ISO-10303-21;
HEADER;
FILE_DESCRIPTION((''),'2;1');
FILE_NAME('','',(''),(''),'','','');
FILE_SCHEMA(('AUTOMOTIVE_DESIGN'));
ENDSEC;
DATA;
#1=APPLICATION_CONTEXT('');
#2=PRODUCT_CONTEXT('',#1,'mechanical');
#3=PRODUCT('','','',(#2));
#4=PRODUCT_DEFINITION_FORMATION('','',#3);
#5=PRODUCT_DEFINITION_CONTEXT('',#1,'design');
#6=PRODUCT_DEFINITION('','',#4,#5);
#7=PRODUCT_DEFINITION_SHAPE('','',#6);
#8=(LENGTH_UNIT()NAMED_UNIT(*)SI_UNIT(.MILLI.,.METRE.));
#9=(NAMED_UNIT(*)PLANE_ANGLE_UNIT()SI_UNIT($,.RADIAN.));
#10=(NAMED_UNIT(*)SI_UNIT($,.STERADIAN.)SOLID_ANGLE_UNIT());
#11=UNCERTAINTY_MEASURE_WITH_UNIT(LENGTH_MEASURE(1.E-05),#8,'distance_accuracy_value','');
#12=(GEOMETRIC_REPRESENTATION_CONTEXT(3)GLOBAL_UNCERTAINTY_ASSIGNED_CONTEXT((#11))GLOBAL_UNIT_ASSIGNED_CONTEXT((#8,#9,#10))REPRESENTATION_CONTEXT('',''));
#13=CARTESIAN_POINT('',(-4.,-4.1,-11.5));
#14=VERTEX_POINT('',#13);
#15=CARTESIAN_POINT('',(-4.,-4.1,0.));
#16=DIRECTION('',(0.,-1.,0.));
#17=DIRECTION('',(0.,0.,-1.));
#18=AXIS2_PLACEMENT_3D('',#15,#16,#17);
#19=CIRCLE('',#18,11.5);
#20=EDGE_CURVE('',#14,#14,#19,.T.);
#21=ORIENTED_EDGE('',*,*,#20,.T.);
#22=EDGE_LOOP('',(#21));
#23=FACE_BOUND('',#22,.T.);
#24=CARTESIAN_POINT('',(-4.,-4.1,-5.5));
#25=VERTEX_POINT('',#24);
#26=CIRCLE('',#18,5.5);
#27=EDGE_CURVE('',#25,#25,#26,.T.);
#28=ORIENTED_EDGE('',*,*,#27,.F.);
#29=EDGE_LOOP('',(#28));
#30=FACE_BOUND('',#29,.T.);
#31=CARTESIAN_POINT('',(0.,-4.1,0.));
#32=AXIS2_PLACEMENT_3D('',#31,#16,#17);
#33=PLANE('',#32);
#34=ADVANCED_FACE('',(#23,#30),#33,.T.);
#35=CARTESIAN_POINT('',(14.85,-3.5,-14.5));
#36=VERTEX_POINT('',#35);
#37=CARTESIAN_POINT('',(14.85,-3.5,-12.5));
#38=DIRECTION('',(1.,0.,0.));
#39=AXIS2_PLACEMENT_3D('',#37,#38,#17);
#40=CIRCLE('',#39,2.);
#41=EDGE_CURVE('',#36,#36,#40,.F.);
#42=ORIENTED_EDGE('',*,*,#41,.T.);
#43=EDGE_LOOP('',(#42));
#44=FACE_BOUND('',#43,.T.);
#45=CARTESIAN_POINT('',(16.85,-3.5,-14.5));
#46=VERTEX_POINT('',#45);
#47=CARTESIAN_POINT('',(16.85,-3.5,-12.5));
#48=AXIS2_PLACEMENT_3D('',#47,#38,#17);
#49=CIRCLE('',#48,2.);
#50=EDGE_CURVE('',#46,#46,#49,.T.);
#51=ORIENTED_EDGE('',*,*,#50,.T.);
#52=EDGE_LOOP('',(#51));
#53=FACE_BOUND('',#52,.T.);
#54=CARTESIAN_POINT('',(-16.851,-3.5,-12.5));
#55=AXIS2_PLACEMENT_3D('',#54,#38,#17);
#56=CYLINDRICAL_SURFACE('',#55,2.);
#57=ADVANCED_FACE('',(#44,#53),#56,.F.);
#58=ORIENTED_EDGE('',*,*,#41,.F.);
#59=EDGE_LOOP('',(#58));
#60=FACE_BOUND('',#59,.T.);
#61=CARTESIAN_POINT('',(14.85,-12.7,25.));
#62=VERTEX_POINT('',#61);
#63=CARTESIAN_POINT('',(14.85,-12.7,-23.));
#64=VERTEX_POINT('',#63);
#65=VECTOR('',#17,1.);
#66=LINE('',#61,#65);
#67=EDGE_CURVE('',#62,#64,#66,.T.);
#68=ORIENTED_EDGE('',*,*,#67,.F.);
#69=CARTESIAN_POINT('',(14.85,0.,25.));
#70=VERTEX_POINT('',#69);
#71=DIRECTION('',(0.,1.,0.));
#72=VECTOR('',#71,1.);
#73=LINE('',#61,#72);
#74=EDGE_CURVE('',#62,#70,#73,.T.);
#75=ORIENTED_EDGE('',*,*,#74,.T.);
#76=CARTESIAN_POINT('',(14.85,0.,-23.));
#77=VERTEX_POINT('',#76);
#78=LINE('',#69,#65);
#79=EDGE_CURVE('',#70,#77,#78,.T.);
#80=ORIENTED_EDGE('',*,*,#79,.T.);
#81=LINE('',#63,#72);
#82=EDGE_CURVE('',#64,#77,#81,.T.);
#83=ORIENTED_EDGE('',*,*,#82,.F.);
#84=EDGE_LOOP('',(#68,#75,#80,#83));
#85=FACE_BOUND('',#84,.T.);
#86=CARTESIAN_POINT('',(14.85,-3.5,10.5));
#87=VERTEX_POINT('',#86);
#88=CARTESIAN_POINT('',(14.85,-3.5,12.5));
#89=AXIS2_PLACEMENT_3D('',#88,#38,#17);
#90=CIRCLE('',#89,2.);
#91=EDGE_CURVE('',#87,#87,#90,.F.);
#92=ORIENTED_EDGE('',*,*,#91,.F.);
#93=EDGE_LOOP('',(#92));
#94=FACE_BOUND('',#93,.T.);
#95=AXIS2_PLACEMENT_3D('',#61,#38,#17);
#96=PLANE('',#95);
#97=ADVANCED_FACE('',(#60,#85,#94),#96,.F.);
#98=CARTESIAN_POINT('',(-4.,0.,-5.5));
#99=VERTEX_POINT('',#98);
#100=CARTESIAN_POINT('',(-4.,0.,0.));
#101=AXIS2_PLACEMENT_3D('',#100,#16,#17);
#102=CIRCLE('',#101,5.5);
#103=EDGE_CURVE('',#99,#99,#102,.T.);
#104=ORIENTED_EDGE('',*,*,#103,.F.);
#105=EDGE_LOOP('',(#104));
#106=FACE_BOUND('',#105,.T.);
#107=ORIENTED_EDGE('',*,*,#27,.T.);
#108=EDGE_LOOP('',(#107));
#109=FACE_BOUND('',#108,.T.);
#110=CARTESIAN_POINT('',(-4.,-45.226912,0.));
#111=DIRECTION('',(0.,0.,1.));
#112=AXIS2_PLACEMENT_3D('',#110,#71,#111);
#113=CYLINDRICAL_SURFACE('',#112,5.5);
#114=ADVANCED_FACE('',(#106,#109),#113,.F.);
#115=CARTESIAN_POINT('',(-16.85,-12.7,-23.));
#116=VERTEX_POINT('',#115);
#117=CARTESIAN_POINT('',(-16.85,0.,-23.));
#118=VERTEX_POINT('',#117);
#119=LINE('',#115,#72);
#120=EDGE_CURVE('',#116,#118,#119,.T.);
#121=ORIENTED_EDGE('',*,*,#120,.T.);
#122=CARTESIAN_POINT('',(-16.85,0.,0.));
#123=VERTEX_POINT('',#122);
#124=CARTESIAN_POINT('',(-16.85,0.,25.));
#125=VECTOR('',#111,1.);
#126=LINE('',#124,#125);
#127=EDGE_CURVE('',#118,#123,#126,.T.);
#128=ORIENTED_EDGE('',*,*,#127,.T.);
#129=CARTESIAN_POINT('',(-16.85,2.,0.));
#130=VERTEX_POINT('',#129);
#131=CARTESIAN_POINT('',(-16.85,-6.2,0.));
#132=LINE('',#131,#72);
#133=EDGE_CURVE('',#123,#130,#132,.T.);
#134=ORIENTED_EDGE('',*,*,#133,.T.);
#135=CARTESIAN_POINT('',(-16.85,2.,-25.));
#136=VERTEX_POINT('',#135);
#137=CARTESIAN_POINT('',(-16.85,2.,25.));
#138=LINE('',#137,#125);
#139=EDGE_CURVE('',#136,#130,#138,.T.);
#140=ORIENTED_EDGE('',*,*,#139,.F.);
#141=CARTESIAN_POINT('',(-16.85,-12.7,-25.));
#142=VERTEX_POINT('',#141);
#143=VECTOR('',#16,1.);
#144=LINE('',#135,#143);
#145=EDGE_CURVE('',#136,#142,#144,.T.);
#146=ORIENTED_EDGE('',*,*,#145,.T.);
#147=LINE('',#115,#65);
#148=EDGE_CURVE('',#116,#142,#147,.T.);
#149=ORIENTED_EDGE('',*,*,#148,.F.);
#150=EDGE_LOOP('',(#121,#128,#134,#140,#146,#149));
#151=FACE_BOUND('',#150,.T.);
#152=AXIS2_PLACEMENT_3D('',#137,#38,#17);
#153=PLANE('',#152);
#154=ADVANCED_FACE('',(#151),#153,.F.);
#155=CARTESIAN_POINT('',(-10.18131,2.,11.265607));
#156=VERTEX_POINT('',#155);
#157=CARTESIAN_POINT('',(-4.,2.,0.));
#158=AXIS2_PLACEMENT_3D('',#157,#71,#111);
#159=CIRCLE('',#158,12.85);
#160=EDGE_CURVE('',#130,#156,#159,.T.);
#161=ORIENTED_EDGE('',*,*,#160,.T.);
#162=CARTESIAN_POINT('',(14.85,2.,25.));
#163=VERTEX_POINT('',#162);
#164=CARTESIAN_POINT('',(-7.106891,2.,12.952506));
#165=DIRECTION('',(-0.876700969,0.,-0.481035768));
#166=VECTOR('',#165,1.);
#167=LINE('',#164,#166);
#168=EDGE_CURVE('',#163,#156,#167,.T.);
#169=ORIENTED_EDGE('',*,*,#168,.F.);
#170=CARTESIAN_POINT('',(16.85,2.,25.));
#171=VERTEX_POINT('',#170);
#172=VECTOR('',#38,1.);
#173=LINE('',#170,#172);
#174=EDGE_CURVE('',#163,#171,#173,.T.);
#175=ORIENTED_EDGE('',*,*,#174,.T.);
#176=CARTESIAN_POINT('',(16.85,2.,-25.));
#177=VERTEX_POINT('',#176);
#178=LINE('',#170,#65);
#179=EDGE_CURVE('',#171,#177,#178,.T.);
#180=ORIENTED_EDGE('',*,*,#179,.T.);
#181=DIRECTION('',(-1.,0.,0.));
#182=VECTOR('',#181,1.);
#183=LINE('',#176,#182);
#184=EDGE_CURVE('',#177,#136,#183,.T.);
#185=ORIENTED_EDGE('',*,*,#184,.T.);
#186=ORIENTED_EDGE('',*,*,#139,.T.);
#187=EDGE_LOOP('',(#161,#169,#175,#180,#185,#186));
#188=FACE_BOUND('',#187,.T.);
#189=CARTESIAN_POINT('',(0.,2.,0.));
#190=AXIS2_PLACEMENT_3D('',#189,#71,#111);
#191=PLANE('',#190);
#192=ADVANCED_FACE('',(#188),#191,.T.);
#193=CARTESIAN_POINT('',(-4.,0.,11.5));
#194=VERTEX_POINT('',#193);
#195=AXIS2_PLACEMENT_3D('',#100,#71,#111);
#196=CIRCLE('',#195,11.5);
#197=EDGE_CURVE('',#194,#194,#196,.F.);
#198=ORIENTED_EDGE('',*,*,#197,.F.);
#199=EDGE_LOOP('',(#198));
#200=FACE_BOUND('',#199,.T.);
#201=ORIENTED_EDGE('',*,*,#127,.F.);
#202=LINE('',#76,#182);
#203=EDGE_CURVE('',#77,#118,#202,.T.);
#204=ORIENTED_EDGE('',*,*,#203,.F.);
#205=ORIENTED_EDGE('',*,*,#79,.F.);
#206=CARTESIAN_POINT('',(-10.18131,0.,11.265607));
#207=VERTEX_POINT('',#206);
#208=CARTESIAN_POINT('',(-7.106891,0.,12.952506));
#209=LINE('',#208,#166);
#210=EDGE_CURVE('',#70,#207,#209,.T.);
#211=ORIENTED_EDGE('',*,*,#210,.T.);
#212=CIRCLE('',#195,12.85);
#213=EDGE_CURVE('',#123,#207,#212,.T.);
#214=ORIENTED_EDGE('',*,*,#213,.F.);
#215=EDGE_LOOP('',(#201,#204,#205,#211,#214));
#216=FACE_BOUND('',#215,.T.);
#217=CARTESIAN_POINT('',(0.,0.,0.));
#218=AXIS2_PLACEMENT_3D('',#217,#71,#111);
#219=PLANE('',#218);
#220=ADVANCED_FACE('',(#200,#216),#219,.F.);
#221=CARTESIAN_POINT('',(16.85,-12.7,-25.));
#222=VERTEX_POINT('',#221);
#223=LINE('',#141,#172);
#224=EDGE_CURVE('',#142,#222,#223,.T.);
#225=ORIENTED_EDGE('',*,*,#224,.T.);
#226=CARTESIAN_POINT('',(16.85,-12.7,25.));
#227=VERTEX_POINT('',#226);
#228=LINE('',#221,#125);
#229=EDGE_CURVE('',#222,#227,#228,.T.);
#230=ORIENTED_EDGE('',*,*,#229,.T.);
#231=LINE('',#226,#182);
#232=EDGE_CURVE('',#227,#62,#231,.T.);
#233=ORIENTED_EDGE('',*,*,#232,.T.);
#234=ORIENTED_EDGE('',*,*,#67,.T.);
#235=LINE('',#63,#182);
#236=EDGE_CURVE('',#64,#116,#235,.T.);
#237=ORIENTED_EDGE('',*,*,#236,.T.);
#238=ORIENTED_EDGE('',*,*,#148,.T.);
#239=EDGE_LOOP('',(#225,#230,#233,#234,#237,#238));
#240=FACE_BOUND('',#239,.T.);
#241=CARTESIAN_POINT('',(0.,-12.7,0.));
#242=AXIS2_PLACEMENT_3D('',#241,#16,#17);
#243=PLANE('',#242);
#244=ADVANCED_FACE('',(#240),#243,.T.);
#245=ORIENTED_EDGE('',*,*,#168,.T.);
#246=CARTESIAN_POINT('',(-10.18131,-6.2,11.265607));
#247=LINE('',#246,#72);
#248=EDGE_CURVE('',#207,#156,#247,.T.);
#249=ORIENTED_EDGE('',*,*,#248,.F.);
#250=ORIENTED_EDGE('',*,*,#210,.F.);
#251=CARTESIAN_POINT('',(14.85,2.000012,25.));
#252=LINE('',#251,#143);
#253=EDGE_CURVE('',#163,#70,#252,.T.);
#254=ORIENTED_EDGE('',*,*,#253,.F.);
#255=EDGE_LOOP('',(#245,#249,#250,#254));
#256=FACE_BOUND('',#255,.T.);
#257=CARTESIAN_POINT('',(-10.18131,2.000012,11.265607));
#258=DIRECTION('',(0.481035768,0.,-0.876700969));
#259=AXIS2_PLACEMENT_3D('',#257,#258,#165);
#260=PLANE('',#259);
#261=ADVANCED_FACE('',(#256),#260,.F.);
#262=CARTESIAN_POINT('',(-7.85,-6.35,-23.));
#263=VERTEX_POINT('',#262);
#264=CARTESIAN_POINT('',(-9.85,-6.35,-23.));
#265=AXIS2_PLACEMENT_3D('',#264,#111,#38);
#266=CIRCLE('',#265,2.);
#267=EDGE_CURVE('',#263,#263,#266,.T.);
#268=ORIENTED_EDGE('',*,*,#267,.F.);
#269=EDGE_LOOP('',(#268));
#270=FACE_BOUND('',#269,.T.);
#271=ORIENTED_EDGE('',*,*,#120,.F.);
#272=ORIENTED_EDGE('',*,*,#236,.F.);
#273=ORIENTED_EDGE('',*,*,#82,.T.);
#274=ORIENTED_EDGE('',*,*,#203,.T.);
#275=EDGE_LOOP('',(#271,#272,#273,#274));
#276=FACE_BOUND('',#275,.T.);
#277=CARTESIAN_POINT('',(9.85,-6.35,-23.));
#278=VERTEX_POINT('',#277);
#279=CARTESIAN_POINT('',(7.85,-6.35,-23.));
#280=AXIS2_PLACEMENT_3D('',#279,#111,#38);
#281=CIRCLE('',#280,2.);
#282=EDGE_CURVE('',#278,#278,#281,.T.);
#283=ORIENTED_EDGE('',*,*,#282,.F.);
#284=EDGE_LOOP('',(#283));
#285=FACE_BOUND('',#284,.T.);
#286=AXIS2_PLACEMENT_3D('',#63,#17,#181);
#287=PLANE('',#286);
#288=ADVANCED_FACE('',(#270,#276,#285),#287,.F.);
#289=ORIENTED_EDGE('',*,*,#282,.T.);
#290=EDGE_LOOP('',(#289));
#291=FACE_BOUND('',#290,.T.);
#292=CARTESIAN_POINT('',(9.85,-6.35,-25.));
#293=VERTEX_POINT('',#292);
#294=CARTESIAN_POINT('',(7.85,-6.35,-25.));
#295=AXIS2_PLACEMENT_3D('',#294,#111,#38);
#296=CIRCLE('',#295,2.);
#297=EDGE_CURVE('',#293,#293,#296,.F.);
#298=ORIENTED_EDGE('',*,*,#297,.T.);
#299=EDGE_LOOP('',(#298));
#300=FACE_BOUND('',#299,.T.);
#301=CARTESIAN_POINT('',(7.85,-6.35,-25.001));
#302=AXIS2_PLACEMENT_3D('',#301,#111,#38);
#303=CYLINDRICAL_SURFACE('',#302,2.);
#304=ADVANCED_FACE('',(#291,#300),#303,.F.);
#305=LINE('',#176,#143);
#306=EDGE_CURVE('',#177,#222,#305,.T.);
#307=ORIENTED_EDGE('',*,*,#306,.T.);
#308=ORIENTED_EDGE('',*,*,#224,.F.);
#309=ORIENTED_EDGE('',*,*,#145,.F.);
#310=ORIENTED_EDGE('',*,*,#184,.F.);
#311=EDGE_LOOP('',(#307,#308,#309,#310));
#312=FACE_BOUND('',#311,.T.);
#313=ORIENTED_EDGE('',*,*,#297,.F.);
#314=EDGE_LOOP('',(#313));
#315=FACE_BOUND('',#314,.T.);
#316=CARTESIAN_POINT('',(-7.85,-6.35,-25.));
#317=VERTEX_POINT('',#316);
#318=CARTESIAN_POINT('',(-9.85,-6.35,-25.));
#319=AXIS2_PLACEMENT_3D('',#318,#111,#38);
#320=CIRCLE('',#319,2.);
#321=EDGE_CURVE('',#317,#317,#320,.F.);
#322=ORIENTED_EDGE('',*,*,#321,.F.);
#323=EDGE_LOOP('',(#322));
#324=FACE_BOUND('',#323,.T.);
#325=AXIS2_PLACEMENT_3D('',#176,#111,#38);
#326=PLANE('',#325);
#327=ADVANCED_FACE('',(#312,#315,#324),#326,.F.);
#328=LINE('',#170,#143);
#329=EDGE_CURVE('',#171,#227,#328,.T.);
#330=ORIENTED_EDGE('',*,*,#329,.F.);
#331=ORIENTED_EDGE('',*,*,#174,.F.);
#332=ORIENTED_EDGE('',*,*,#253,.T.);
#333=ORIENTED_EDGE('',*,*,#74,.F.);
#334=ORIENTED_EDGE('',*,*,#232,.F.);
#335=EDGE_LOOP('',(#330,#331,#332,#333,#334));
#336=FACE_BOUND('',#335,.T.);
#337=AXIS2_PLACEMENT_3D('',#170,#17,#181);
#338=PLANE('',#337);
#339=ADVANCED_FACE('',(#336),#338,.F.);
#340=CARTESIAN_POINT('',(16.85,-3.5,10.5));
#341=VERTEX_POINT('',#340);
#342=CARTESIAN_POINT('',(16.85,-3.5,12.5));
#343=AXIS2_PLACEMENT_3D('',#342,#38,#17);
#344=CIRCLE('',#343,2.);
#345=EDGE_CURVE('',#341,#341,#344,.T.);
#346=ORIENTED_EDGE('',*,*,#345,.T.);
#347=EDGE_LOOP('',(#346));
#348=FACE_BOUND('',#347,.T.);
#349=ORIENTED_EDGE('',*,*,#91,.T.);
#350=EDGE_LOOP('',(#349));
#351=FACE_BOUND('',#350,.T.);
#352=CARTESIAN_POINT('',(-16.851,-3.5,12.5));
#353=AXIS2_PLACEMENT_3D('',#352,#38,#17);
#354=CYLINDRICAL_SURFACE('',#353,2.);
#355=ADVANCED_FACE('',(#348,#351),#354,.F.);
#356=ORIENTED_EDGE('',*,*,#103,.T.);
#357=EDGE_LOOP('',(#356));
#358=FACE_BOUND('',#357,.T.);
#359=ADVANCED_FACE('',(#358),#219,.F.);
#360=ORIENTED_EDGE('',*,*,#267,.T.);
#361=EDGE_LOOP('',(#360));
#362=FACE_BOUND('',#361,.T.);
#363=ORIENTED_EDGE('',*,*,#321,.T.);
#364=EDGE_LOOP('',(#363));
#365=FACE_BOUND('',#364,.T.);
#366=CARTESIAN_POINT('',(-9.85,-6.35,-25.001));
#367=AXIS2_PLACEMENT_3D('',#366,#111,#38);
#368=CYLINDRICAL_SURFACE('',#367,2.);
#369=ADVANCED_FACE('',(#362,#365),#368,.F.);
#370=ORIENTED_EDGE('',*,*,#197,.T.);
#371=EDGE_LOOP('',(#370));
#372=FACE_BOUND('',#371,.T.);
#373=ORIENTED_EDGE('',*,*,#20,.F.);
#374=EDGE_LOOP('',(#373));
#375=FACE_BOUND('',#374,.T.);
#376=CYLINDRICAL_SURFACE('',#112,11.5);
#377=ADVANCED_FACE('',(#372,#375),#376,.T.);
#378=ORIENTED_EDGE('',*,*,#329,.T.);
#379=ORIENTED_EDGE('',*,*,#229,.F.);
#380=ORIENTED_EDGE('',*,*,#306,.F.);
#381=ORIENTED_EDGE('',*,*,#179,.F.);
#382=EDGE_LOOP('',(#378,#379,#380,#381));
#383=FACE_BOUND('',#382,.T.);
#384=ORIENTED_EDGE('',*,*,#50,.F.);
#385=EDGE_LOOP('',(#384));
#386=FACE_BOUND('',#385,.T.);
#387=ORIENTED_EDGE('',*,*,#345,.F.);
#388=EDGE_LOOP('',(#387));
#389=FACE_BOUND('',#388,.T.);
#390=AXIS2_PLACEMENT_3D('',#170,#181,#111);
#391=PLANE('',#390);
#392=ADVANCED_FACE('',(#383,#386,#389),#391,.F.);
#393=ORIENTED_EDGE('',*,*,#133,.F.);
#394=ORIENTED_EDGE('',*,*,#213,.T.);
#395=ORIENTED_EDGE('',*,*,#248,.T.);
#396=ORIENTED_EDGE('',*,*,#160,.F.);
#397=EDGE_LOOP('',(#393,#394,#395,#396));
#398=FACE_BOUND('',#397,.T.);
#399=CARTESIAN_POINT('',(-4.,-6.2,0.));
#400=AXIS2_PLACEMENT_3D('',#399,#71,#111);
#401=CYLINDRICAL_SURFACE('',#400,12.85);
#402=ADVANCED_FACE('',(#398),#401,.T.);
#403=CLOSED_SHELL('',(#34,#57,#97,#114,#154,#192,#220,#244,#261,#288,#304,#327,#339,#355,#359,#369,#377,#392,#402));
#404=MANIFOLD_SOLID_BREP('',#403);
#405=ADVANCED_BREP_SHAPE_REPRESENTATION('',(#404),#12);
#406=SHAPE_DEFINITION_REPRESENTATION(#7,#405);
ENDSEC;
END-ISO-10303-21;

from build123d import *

# Parameters (mm, degrees)
SKETCH2_W                    = 33.7
SKETCH2_H                    = 50
BOSS_EXTRUDE1_DEPTH          = 2
BOSS_EXTRUDE2_DEPTH          = 12.7
CUT_EXTRUDE1_REACH           = 45.84
SKETCH4_R                    = 2
SKETCH5_R                    = 11.5
SKETCH5_R_2                  = 5.5
BOSS_EXTRUDE3_DEPTH          = 4.1
CUT_EXTRUDE_THIN1_DEPTH      = 34.541206001
CUT_EXTRUDE_THIN1_DEPTH_BACK = 8.2
CUT_EXTRUDE2_REACH           = 54.433
SKETCH7_R                    = 2


with BuildPart() as part:
    # Sketch2 → Boss-Extrude1 (new body)
    with BuildSketch(Plane(origin=(0, 0, 0), x_dir=(1, 0, 0), z_dir=(0, 1, 0))):
        Rectangle(SKETCH2_W, SKETCH2_H)
    extrude(amount=BOSS_EXTRUDE1_DEPTH)

    # Sketch3 → Boss-Extrude2 (add)
    with BuildSketch(Plane.XZ):
        Polygon((14.85, 25), (14.85, -23), (-16.85, -23), (-16.85, -25), (16.85, -25), (16.85, 25), align=None)
    extrude(amount=BOSS_EXTRUDE2_DEPTH)

    # Sketch4 → Cut-Extrude1 (cut, up to next)
    with BuildSketch(Plane(origin=(16.85, 0, 0), x_dir=(0, 0, -1), z_dir=(1, 0, 0)), mode=Mode.PRIVATE) as cut_extrude1_sk1:
        with Locations((12.5, -3.5)):
            Circle(SKETCH4_R)
    cut_extrude1_tool1 = extrude(cut_extrude1_sk1.sketch, amount=-CUT_EXTRUDE1_REACH, mode=Mode.PRIVATE) & part.part
    # Sketch4 → Cut-Extrude1 (cut, up to next)
    with BuildSketch(Plane(origin=(16.85, 0, 0), x_dir=(0, 0, -1), z_dir=(1, 0, 0)), mode=Mode.PRIVATE) as cut_extrude1_sk2:
        with Locations((-12.5, -3.5)):
            Circle(SKETCH4_R)
    cut_extrude1_tool2 = extrude(cut_extrude1_sk2.sketch, amount=-CUT_EXTRUDE1_REACH, mode=Mode.PRIVATE) & part.part
    add(cut_extrude1_tool1.solids().sort_by_distance((16.85, -3.5, -12.5))[0], mode=Mode.SUBTRACT)
    add(cut_extrude1_tool2.solids().sort_by_distance((16.85, -3.5, 12.5))[0], mode=Mode.SUBTRACT)

    # Sketch5 → Boss-Extrude3 (add)
    with BuildSketch(Plane.XZ):
        with Locations(Location((-4, 0, 0), (0, 0, 90))):
            Circle(SKETCH5_R)
        with Locations(Location((-4, 0, 0), (0, 0, 270))):
            Circle(SKETCH5_R_2, mode=Mode.SUBTRACT)
    extrude(amount=BOSS_EXTRUDE3_DEPTH)

    # Sketch6 → Cut-Extrude-Thin1 (cut, two sides: drawn at the far end of the back side and taken through both)
    with BuildSketch(Plane(origin=(0, 2, 0), x_dir=(1, 0, 0), z_dir=(0, 1, 0)).offset(-CUT_EXTRUDE_THIN1_DEPTH_BACK)):
        with BuildLine():
            ThreePointArc((-16.85, 0), (-15.057855322, -6.545711243), (-10.181309623, -11.265607456))
            Line((-10.181309623, -11.265607456), (14.85, -25))
            Line((14.85, -25), (5.229284634, -42.534019386))
            Line((5.229284634, -42.534019386), (-19.802024989, -28.799626842))
            ThreePointArc((-19.802024989, -28.799626842), (-32.268525084, -16.733588663), (-36.85, 0))
            Line((-36.85, 0), (-16.85, 0))
        make_face()
    extrude(amount=CUT_EXTRUDE_THIN1_DEPTH + CUT_EXTRUDE_THIN1_DEPTH_BACK, mode=Mode.SUBTRACT)

    # Sketch7 → Cut-Extrude2 (cut, up to next)
    with BuildSketch(Plane.XY.offset(-23), mode=Mode.PRIVATE) as cut_extrude2_sk1:
        with Locations((-9.85, -6.35)):
            Circle(SKETCH7_R)
    cut_extrude2_tool1 = extrude(cut_extrude2_sk1.sketch, amount=-CUT_EXTRUDE2_REACH, mode=Mode.PRIVATE) & part.part
    # Sketch7 → Cut-Extrude2 (cut, up to next)
    with BuildSketch(Plane.XY.offset(-23), mode=Mode.PRIVATE) as cut_extrude2_sk2:
        with Locations((7.85, -6.35)):
            Circle(SKETCH7_R)
    cut_extrude2_tool2 = extrude(cut_extrude2_sk2.sketch, amount=-CUT_EXTRUDE2_REACH, mode=Mode.PRIVATE) & part.part
    add(cut_extrude2_tool1.solids().sort_by_distance((-9.85, -6.35, -23))[0], mode=Mode.SUBTRACT)
    add(cut_extrude2_tool2.solids().sort_by_distance((7.85, -6.35, -23))[0], mode=Mode.SUBTRACT)


solid = part.part
